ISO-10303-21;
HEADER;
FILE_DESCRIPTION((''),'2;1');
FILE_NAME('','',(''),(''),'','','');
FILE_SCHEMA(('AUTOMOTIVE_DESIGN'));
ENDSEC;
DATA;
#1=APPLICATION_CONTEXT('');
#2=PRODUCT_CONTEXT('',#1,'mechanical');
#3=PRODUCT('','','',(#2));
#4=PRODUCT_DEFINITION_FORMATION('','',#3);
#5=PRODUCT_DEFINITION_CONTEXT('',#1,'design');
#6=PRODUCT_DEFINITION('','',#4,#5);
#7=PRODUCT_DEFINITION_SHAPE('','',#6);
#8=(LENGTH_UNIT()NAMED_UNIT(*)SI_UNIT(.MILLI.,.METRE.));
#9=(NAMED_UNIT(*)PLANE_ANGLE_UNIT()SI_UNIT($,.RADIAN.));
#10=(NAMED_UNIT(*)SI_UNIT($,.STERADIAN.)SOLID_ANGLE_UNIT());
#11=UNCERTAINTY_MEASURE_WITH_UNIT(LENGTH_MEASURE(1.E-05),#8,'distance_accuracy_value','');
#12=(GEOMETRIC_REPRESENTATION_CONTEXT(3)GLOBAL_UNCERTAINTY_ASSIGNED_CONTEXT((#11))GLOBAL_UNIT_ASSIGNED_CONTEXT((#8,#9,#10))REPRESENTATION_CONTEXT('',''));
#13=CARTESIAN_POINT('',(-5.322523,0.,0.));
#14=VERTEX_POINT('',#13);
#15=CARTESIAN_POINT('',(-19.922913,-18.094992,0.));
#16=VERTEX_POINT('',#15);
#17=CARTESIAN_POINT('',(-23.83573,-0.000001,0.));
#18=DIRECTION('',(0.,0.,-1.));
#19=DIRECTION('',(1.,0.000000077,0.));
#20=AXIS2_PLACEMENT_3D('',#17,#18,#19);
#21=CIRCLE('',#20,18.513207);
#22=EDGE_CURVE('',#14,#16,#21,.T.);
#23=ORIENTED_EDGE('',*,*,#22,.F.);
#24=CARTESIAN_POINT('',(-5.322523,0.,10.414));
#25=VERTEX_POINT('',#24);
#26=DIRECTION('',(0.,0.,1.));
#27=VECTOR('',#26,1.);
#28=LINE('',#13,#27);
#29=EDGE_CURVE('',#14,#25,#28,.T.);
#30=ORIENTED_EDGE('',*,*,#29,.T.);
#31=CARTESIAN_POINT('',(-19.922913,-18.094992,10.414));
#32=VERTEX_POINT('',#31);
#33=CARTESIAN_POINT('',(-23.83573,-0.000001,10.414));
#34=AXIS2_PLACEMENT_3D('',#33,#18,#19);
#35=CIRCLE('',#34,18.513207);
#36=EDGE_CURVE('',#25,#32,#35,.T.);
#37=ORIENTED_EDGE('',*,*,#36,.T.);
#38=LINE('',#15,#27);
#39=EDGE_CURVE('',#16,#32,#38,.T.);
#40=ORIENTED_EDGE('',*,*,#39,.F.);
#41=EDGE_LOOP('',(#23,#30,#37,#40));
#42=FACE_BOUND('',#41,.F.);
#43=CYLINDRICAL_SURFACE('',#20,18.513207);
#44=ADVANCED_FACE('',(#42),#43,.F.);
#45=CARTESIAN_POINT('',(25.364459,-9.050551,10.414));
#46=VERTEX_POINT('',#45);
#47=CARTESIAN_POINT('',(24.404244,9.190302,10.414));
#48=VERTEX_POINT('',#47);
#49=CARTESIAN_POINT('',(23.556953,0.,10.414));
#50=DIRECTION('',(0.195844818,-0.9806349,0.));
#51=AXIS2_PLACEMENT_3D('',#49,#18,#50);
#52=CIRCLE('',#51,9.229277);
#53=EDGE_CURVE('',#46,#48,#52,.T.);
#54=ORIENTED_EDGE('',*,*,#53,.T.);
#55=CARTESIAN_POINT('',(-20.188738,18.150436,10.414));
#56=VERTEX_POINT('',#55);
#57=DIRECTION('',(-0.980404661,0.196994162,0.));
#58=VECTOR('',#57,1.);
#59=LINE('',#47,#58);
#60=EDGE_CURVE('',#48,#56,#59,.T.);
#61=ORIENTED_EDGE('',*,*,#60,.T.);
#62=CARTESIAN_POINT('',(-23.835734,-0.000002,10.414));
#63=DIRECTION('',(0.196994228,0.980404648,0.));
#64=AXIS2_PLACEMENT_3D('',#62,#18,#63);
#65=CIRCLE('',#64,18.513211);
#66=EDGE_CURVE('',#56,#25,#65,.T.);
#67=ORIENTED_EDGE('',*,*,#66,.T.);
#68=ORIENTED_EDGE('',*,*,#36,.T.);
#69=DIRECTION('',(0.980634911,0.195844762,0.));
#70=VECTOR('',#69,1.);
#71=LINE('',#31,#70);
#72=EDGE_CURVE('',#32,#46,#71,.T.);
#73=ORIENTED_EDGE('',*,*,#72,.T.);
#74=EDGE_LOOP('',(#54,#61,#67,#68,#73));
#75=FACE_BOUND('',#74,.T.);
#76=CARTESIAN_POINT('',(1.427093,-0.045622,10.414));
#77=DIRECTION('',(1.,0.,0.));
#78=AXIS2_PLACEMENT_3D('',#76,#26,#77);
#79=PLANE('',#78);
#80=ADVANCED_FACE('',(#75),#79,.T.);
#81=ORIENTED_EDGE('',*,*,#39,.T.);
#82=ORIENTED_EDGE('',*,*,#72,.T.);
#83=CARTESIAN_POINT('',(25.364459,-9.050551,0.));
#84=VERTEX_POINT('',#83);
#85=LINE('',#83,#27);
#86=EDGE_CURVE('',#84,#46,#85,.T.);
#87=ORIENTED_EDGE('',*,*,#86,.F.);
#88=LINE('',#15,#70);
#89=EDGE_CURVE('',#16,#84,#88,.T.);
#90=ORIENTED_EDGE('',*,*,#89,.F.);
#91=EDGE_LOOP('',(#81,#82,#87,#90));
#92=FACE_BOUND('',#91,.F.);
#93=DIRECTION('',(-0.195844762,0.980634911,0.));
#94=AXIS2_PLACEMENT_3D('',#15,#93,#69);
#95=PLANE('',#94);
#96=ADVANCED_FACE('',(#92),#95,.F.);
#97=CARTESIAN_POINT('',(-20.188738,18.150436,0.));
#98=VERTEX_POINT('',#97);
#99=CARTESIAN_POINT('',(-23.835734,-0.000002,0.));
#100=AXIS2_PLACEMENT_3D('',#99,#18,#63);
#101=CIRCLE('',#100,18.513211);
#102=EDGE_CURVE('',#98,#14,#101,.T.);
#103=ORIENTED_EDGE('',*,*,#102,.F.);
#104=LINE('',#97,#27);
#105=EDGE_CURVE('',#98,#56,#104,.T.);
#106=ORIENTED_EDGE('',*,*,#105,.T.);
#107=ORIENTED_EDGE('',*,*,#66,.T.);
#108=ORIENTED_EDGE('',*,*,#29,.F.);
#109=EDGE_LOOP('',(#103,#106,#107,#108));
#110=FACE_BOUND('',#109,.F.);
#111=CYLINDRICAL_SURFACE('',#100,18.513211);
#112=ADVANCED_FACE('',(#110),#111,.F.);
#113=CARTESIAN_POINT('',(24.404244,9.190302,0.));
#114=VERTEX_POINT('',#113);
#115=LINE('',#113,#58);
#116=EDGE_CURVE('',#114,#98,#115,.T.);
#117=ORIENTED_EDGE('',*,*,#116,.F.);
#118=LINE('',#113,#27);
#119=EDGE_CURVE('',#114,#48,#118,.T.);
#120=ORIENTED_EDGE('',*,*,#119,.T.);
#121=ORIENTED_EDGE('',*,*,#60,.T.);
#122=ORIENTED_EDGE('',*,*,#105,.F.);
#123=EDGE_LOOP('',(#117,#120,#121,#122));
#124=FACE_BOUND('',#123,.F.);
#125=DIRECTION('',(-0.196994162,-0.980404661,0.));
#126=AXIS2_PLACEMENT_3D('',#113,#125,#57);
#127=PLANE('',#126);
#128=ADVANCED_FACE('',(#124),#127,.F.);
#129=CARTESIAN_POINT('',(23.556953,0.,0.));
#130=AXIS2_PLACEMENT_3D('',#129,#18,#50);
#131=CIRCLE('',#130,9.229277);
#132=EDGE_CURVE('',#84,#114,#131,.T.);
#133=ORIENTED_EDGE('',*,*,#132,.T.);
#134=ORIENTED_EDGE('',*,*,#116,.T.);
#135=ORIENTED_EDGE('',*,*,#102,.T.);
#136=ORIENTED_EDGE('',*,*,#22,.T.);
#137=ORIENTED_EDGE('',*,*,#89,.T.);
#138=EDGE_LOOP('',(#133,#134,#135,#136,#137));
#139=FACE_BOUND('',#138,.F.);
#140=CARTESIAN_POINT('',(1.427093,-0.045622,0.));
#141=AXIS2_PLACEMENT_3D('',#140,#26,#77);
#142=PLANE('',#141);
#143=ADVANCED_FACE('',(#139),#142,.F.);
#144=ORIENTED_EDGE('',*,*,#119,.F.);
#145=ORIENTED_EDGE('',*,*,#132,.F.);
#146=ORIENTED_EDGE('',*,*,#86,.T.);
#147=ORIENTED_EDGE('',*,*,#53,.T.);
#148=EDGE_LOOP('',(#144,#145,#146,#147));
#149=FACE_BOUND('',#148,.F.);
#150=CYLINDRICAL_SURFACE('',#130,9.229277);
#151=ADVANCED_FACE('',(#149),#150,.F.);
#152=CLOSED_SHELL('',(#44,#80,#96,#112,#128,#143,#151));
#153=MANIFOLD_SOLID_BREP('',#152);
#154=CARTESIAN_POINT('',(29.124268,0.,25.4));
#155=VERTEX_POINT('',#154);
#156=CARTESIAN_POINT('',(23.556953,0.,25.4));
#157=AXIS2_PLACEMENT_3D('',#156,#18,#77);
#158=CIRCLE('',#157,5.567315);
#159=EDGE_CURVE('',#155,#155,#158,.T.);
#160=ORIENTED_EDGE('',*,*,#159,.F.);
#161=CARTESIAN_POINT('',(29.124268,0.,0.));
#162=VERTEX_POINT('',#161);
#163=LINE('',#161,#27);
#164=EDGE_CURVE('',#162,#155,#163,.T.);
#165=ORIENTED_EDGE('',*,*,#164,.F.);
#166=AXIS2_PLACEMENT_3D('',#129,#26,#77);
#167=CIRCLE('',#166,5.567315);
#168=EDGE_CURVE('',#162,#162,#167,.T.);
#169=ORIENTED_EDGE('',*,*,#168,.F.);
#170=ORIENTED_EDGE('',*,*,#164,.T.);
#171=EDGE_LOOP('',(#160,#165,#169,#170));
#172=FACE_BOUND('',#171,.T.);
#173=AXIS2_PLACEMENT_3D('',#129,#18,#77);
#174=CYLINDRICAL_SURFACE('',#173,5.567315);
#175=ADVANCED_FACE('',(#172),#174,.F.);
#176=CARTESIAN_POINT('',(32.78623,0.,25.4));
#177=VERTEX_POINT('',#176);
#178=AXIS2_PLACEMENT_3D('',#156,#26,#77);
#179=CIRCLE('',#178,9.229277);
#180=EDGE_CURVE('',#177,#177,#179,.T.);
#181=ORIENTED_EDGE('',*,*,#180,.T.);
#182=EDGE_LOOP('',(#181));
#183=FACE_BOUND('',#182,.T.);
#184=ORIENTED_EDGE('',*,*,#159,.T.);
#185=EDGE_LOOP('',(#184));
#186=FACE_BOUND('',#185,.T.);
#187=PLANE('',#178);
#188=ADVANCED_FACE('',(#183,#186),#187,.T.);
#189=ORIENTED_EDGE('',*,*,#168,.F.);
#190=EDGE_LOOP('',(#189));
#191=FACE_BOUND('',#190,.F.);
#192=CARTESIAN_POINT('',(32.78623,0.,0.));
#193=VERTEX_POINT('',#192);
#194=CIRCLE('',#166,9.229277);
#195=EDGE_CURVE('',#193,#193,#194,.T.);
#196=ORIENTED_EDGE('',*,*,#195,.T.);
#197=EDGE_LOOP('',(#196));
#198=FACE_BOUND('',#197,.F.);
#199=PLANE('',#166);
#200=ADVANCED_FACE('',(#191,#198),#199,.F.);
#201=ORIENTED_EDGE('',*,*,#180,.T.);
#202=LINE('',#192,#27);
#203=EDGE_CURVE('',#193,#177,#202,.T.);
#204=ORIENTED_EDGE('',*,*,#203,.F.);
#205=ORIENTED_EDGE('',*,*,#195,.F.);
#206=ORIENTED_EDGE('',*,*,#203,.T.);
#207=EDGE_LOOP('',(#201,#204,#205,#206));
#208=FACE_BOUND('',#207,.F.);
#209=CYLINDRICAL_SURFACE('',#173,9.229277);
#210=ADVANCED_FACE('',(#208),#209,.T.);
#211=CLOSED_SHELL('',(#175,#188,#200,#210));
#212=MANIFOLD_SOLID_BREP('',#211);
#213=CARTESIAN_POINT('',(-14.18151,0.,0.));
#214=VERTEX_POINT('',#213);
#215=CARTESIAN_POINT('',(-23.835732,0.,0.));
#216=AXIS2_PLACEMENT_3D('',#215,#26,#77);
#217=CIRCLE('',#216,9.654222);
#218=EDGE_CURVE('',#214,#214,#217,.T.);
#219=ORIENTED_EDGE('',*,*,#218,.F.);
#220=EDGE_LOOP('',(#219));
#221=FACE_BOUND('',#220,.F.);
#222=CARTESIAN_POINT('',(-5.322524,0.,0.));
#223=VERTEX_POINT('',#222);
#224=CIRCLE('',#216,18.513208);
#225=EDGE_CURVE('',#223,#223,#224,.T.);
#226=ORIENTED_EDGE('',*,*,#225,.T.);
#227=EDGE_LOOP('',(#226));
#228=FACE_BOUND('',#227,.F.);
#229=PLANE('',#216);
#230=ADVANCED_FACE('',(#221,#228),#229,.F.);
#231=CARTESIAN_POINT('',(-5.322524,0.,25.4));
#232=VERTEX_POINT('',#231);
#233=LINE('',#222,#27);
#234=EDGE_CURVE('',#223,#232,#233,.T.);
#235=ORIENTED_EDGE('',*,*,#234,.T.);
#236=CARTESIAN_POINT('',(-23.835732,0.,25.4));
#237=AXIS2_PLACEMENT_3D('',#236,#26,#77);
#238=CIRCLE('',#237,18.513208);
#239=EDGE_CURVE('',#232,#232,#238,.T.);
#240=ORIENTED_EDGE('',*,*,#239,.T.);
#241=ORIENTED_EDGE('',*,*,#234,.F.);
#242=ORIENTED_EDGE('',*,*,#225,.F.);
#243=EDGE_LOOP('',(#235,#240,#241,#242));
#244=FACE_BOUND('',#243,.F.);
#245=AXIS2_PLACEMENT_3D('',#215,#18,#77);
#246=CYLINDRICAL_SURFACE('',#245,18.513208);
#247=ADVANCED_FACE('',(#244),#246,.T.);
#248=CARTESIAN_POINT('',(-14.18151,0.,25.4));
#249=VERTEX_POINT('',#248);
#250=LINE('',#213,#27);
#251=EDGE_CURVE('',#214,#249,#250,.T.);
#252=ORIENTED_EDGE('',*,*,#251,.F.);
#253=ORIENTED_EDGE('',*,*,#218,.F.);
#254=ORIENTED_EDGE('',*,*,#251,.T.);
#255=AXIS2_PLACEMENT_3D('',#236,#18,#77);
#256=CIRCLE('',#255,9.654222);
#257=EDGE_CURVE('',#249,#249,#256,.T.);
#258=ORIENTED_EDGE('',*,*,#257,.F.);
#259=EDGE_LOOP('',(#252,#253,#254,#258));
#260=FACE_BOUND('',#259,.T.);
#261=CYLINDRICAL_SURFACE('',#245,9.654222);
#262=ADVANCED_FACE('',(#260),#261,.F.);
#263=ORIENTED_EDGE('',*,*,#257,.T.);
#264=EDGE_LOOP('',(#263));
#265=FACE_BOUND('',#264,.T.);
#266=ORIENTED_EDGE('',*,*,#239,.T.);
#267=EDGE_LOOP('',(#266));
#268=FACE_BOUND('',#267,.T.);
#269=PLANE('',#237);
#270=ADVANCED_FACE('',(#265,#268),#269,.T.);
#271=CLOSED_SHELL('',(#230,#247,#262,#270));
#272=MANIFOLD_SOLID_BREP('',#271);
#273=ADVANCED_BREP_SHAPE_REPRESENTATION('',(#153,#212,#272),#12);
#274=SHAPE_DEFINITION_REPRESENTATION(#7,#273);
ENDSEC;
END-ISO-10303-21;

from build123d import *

# Parameters (mm, degrees)
F0_R     = 18.513208
F0_R_2   = 9.229277
F3_DEPTH = 25.4
F2_R     = 5.567315
F2_R_2   = 9.654222
F4_DEPTH = 228.6
F5_DEPTH = 10.414


with BuildPart() as f3:
    # F0 (on Top) → F3 (new body)
    with BuildSketch(Plane.XY):
        with Locations((-23.835732, 0)):
            Circle(F0_R)
        with Locations((23.556953, 0)):
            Circle(F0_R_2)
    extrude(amount=F3_DEPTH)

    # F2 (on face) → F4 (cut)
    with BuildSketch(Plane.XY):
        with Locations((23.556953, 0)):
            Circle(F2_R)
        with Locations((-23.835732, 0)):
            Circle(F2_R_2)
    extrude(amount=F4_DEPTH, mode=Mode.SUBTRACT)


with BuildPart() as f5:
    # F1 (on face) → F5 (new body)
    with BuildSketch(Plane.XY):
        with BuildLine():
            ThreePointArc((-5.322523, 0), (-9.427787, -11.625405), (-19.922913, -18.094992))
            Line((-19.922913, -18.094992), (25.364459, -9.050551))
            ThreePointArc((25.364459, -9.050551), (14.340437, -0.485166), (24.404244, 9.190302))
            Line((24.404244, 9.190302), (-20.188738, 18.150436))
            ThreePointArc((-20.188738, 18.150436), (-9.513434, 11.730757), (-5.322523, 0))
        make_face()
    extrude(amount=F5_DEPTH)


solid = Compound([f3.part, f5.part])
